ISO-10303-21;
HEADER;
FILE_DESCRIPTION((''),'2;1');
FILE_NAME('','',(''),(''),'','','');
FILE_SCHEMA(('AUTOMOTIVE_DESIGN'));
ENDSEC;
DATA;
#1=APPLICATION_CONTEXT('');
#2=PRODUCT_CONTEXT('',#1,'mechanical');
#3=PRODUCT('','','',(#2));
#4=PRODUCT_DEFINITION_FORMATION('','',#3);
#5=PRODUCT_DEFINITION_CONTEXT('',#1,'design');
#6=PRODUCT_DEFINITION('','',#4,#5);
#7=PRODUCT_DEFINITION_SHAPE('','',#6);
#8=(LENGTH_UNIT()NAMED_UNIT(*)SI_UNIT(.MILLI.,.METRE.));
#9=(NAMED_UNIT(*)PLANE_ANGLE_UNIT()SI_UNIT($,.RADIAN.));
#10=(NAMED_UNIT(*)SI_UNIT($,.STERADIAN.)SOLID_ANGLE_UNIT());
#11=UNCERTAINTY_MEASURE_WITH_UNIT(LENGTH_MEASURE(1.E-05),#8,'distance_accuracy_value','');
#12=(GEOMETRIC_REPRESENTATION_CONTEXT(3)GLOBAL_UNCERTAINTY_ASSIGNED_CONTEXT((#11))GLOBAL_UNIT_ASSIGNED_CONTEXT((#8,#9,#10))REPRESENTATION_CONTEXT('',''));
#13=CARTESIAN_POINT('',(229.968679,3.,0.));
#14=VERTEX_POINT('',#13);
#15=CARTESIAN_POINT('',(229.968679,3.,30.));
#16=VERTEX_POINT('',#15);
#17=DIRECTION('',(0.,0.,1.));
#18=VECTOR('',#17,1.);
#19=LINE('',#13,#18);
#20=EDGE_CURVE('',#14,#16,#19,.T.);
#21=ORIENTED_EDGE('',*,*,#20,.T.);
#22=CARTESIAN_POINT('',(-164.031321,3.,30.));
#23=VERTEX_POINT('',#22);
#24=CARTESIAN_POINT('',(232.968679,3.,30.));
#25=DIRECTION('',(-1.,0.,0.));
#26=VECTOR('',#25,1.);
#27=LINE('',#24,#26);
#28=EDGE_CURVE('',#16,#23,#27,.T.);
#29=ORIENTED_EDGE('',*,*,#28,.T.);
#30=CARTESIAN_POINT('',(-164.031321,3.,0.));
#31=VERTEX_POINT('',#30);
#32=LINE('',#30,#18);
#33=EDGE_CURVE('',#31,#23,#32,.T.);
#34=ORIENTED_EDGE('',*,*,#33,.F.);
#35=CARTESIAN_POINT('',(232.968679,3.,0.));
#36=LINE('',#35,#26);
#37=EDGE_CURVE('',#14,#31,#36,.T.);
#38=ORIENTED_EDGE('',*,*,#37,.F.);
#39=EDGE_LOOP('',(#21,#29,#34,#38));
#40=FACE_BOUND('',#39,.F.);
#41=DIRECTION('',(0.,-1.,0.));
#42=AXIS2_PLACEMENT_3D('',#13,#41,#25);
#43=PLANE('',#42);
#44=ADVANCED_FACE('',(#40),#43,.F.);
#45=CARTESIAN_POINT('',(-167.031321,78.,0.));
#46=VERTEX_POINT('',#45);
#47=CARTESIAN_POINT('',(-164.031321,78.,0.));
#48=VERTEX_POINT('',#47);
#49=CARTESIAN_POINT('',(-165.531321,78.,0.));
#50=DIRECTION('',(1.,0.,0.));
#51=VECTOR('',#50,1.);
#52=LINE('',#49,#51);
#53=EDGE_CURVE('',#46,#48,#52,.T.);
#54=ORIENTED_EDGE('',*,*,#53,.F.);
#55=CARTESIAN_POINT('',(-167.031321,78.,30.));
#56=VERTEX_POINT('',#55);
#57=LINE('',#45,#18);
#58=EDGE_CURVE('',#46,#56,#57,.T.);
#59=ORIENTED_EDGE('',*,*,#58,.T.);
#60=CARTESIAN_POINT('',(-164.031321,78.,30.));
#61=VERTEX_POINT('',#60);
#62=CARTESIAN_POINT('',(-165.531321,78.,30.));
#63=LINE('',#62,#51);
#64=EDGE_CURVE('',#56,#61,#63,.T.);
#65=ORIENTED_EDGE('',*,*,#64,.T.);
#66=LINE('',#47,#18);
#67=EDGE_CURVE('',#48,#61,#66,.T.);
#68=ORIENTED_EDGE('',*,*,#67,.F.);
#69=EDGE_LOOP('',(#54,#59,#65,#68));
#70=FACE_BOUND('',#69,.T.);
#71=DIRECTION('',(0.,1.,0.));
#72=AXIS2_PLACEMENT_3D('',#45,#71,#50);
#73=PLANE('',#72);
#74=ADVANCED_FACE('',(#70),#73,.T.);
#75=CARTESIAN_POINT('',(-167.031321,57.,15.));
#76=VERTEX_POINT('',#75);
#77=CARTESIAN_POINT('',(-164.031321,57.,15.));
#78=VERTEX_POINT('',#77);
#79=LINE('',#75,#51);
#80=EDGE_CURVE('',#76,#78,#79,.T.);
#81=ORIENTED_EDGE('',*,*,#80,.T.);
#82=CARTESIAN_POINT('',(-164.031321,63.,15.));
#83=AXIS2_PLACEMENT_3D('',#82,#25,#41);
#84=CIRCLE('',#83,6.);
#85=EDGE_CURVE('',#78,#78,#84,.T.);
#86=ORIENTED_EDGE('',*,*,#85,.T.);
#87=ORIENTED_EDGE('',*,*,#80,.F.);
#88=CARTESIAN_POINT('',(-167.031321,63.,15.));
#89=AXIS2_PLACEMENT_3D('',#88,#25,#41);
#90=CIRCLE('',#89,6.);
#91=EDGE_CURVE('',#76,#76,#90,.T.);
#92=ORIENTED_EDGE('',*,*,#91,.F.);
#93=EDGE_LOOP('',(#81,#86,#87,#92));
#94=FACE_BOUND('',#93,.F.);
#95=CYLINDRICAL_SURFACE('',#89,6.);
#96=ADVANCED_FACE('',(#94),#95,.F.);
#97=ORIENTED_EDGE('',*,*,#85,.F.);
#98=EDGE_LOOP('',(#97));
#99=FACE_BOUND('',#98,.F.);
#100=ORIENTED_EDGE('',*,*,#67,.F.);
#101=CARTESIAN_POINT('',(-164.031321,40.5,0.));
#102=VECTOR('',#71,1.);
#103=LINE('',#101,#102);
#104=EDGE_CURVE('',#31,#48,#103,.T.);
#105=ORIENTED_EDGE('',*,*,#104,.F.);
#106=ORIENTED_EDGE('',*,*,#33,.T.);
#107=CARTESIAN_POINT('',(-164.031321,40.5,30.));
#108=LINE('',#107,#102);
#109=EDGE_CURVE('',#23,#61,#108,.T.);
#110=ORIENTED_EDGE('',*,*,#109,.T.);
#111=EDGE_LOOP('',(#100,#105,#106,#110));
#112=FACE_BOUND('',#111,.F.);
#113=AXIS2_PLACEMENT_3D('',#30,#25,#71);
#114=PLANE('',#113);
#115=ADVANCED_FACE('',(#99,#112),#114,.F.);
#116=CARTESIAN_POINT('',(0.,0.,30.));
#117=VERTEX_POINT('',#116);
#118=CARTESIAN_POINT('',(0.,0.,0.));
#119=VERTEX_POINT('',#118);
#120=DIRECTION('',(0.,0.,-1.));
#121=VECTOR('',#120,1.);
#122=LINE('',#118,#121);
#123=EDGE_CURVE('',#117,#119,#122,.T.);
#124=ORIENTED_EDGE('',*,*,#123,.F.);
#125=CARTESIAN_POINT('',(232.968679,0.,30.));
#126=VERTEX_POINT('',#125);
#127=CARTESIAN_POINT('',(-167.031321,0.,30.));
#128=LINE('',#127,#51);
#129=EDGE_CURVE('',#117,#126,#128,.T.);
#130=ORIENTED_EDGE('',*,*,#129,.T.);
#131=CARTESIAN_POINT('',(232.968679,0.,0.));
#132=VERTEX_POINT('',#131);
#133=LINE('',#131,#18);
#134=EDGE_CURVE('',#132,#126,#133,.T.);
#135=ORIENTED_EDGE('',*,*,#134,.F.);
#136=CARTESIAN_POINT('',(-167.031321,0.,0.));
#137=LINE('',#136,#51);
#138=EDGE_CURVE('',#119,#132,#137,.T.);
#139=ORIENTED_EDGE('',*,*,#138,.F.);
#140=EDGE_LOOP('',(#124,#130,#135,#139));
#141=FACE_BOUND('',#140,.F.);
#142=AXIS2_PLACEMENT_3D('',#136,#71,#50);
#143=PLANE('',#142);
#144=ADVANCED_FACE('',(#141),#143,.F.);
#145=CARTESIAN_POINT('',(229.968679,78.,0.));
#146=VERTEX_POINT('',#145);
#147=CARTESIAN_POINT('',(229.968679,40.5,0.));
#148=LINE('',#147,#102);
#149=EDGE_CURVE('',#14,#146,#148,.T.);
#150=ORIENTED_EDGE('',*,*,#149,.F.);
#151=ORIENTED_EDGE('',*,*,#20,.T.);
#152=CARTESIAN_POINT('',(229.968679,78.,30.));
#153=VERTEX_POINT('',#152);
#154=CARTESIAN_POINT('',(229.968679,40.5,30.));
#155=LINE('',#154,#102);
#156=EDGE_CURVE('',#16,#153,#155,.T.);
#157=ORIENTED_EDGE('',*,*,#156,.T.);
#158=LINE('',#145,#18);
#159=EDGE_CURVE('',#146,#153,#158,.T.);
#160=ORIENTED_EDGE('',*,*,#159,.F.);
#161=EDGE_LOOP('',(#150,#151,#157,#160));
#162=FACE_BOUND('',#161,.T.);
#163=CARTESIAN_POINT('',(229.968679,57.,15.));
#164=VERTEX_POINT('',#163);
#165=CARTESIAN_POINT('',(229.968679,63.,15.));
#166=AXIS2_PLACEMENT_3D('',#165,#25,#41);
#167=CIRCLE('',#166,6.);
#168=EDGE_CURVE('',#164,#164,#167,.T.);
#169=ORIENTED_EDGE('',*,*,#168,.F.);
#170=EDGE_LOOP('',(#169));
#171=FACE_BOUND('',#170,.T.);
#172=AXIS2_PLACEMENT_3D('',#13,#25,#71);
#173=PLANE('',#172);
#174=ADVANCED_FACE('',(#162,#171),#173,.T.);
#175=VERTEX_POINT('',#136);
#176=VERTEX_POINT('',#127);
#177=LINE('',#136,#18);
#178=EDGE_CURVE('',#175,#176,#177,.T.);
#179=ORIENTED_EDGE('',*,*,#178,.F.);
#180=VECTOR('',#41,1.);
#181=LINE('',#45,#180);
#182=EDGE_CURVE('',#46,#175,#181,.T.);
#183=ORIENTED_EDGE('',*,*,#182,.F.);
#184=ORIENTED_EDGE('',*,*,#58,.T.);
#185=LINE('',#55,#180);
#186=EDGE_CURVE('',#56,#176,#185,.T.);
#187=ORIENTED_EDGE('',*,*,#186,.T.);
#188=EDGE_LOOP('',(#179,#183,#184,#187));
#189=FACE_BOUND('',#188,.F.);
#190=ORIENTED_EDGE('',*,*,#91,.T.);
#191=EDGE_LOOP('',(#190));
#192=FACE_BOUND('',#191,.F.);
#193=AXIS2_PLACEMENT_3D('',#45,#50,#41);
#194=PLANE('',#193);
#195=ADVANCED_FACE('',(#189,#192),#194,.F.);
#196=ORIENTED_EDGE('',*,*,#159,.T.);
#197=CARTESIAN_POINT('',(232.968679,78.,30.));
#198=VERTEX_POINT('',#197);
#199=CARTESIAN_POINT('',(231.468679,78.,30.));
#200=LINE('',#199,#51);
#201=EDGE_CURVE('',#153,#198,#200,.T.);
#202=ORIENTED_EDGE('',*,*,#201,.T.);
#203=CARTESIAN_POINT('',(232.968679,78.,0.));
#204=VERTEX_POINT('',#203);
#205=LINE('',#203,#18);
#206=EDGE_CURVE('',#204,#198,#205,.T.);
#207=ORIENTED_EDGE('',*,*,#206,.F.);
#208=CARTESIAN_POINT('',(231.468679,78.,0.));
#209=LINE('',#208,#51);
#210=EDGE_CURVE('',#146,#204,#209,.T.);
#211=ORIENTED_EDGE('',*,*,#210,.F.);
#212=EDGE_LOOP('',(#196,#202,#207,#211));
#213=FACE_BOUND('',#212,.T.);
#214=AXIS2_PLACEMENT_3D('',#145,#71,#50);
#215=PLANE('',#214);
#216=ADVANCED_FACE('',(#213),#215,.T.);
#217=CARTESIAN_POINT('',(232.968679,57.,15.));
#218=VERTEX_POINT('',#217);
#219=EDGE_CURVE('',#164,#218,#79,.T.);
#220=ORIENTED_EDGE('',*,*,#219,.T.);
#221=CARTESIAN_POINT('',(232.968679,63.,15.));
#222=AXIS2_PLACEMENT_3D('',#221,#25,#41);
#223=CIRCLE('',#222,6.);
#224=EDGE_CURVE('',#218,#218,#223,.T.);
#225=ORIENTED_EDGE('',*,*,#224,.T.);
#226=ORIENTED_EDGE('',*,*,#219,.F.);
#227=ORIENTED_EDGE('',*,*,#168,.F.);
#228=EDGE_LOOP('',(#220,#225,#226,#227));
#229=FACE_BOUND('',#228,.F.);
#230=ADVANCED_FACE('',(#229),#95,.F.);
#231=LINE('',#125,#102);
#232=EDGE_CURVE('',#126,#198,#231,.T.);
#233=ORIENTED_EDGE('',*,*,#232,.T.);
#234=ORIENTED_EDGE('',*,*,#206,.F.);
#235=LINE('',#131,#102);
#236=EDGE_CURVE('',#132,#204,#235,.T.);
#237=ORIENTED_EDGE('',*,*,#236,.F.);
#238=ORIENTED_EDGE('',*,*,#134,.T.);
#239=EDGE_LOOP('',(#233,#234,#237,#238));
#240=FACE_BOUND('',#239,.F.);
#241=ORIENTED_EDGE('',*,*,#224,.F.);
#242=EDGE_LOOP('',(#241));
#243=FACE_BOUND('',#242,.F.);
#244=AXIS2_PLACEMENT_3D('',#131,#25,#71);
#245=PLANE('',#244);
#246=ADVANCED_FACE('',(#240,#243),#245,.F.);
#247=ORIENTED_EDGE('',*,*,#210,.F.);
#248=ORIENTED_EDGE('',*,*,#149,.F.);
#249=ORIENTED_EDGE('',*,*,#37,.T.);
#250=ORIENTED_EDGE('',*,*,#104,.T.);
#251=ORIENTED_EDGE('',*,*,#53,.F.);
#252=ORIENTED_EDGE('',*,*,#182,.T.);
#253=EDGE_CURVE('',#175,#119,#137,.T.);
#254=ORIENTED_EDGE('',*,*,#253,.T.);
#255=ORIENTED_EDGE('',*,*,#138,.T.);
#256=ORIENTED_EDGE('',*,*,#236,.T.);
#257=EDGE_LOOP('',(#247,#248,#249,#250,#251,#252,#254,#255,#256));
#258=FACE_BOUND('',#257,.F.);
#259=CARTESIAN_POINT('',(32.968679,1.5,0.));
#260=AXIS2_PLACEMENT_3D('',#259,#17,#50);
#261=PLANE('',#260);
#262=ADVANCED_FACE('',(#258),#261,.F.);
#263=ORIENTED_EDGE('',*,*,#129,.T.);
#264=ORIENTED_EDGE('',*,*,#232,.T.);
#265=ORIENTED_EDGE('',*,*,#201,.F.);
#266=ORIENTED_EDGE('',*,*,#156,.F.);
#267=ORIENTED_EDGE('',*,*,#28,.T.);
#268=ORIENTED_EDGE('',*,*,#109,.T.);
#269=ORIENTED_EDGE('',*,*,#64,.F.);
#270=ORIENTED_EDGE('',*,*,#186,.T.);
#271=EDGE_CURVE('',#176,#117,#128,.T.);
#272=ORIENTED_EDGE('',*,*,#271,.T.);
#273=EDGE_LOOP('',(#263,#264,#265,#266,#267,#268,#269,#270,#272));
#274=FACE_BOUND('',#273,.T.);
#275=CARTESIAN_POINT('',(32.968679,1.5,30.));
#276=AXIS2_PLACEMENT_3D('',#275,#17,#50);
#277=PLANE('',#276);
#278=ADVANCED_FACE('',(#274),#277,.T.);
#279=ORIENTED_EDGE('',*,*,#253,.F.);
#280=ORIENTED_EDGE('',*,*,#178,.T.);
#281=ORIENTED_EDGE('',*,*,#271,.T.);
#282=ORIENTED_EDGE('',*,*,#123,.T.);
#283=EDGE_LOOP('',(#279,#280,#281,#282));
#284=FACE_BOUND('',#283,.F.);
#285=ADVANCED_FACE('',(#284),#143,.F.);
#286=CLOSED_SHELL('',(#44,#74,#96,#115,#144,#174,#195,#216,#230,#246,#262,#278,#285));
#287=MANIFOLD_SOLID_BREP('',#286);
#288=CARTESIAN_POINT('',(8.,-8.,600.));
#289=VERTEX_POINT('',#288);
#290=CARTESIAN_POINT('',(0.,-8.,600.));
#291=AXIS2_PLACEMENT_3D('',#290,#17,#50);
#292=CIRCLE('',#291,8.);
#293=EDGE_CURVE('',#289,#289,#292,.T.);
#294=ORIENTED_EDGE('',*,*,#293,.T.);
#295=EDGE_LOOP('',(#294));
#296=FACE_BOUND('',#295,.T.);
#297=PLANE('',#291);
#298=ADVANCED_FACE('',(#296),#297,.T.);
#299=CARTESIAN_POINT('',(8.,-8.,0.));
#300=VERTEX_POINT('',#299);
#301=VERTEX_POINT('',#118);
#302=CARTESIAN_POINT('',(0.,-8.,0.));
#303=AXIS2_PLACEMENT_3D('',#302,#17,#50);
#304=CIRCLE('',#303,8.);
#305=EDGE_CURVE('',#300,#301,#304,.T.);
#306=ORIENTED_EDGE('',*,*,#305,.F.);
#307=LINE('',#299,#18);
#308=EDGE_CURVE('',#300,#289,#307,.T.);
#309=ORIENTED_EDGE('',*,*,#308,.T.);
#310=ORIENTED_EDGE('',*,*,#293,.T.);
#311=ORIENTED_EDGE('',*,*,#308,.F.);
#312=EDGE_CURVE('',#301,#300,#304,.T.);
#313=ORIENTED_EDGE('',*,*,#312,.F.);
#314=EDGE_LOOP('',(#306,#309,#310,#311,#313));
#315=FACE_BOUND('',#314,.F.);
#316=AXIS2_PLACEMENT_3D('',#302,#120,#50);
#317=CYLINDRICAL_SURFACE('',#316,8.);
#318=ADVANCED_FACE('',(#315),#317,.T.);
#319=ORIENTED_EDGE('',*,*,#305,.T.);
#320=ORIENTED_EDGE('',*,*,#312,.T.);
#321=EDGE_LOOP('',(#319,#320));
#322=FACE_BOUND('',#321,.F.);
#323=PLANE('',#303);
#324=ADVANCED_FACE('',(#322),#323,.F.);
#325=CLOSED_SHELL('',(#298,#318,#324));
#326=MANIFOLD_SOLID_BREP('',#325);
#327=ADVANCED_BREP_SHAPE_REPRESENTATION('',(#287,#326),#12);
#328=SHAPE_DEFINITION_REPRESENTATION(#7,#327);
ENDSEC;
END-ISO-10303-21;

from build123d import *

# Parameters (mm, degrees)
F0_W     = 3
F0_H     = 75
F1_DEPTH = 30
F2_R     = 6
F3_DEPTH = 500
F4_R     = 8
F5_DEPTH = 600


with BuildPart() as f1:
    # F0 (on Top) → F1 (new body)
    with BuildSketch(Plane.XY):
        Polygon((-167.031321, 3), (-167.031321, 0), (232.968679, 0), (232.968679, 3), (229.968679, 3), (-164.031321, 3), align=None)
        with Locations((-165.531321, 40.5)):
            Rectangle(F0_W, F0_H)
        with Locations((231.468679, 40.5)):
            Rectangle(F0_W, F0_H)
    extrude(amount=F1_DEPTH)

    # F2 (on face) → F3 (cut)
    with BuildSketch(Plane(origin=(-167.031321, 0, 0), x_dir=(0, -1, 0), z_dir=(-1, 0, 0))):
        with Locations((-63, 15)):
            Circle(F2_R)
    extrude(amount=-F3_DEPTH, mode=Mode.SUBTRACT)

    # F4 (on Top) → F5 (join)
    with BuildSketch(Plane.XY):
        with Locations((0, -8)):
            Circle(F4_R)
    extrude(amount=F5_DEPTH)


solid = f1.part
